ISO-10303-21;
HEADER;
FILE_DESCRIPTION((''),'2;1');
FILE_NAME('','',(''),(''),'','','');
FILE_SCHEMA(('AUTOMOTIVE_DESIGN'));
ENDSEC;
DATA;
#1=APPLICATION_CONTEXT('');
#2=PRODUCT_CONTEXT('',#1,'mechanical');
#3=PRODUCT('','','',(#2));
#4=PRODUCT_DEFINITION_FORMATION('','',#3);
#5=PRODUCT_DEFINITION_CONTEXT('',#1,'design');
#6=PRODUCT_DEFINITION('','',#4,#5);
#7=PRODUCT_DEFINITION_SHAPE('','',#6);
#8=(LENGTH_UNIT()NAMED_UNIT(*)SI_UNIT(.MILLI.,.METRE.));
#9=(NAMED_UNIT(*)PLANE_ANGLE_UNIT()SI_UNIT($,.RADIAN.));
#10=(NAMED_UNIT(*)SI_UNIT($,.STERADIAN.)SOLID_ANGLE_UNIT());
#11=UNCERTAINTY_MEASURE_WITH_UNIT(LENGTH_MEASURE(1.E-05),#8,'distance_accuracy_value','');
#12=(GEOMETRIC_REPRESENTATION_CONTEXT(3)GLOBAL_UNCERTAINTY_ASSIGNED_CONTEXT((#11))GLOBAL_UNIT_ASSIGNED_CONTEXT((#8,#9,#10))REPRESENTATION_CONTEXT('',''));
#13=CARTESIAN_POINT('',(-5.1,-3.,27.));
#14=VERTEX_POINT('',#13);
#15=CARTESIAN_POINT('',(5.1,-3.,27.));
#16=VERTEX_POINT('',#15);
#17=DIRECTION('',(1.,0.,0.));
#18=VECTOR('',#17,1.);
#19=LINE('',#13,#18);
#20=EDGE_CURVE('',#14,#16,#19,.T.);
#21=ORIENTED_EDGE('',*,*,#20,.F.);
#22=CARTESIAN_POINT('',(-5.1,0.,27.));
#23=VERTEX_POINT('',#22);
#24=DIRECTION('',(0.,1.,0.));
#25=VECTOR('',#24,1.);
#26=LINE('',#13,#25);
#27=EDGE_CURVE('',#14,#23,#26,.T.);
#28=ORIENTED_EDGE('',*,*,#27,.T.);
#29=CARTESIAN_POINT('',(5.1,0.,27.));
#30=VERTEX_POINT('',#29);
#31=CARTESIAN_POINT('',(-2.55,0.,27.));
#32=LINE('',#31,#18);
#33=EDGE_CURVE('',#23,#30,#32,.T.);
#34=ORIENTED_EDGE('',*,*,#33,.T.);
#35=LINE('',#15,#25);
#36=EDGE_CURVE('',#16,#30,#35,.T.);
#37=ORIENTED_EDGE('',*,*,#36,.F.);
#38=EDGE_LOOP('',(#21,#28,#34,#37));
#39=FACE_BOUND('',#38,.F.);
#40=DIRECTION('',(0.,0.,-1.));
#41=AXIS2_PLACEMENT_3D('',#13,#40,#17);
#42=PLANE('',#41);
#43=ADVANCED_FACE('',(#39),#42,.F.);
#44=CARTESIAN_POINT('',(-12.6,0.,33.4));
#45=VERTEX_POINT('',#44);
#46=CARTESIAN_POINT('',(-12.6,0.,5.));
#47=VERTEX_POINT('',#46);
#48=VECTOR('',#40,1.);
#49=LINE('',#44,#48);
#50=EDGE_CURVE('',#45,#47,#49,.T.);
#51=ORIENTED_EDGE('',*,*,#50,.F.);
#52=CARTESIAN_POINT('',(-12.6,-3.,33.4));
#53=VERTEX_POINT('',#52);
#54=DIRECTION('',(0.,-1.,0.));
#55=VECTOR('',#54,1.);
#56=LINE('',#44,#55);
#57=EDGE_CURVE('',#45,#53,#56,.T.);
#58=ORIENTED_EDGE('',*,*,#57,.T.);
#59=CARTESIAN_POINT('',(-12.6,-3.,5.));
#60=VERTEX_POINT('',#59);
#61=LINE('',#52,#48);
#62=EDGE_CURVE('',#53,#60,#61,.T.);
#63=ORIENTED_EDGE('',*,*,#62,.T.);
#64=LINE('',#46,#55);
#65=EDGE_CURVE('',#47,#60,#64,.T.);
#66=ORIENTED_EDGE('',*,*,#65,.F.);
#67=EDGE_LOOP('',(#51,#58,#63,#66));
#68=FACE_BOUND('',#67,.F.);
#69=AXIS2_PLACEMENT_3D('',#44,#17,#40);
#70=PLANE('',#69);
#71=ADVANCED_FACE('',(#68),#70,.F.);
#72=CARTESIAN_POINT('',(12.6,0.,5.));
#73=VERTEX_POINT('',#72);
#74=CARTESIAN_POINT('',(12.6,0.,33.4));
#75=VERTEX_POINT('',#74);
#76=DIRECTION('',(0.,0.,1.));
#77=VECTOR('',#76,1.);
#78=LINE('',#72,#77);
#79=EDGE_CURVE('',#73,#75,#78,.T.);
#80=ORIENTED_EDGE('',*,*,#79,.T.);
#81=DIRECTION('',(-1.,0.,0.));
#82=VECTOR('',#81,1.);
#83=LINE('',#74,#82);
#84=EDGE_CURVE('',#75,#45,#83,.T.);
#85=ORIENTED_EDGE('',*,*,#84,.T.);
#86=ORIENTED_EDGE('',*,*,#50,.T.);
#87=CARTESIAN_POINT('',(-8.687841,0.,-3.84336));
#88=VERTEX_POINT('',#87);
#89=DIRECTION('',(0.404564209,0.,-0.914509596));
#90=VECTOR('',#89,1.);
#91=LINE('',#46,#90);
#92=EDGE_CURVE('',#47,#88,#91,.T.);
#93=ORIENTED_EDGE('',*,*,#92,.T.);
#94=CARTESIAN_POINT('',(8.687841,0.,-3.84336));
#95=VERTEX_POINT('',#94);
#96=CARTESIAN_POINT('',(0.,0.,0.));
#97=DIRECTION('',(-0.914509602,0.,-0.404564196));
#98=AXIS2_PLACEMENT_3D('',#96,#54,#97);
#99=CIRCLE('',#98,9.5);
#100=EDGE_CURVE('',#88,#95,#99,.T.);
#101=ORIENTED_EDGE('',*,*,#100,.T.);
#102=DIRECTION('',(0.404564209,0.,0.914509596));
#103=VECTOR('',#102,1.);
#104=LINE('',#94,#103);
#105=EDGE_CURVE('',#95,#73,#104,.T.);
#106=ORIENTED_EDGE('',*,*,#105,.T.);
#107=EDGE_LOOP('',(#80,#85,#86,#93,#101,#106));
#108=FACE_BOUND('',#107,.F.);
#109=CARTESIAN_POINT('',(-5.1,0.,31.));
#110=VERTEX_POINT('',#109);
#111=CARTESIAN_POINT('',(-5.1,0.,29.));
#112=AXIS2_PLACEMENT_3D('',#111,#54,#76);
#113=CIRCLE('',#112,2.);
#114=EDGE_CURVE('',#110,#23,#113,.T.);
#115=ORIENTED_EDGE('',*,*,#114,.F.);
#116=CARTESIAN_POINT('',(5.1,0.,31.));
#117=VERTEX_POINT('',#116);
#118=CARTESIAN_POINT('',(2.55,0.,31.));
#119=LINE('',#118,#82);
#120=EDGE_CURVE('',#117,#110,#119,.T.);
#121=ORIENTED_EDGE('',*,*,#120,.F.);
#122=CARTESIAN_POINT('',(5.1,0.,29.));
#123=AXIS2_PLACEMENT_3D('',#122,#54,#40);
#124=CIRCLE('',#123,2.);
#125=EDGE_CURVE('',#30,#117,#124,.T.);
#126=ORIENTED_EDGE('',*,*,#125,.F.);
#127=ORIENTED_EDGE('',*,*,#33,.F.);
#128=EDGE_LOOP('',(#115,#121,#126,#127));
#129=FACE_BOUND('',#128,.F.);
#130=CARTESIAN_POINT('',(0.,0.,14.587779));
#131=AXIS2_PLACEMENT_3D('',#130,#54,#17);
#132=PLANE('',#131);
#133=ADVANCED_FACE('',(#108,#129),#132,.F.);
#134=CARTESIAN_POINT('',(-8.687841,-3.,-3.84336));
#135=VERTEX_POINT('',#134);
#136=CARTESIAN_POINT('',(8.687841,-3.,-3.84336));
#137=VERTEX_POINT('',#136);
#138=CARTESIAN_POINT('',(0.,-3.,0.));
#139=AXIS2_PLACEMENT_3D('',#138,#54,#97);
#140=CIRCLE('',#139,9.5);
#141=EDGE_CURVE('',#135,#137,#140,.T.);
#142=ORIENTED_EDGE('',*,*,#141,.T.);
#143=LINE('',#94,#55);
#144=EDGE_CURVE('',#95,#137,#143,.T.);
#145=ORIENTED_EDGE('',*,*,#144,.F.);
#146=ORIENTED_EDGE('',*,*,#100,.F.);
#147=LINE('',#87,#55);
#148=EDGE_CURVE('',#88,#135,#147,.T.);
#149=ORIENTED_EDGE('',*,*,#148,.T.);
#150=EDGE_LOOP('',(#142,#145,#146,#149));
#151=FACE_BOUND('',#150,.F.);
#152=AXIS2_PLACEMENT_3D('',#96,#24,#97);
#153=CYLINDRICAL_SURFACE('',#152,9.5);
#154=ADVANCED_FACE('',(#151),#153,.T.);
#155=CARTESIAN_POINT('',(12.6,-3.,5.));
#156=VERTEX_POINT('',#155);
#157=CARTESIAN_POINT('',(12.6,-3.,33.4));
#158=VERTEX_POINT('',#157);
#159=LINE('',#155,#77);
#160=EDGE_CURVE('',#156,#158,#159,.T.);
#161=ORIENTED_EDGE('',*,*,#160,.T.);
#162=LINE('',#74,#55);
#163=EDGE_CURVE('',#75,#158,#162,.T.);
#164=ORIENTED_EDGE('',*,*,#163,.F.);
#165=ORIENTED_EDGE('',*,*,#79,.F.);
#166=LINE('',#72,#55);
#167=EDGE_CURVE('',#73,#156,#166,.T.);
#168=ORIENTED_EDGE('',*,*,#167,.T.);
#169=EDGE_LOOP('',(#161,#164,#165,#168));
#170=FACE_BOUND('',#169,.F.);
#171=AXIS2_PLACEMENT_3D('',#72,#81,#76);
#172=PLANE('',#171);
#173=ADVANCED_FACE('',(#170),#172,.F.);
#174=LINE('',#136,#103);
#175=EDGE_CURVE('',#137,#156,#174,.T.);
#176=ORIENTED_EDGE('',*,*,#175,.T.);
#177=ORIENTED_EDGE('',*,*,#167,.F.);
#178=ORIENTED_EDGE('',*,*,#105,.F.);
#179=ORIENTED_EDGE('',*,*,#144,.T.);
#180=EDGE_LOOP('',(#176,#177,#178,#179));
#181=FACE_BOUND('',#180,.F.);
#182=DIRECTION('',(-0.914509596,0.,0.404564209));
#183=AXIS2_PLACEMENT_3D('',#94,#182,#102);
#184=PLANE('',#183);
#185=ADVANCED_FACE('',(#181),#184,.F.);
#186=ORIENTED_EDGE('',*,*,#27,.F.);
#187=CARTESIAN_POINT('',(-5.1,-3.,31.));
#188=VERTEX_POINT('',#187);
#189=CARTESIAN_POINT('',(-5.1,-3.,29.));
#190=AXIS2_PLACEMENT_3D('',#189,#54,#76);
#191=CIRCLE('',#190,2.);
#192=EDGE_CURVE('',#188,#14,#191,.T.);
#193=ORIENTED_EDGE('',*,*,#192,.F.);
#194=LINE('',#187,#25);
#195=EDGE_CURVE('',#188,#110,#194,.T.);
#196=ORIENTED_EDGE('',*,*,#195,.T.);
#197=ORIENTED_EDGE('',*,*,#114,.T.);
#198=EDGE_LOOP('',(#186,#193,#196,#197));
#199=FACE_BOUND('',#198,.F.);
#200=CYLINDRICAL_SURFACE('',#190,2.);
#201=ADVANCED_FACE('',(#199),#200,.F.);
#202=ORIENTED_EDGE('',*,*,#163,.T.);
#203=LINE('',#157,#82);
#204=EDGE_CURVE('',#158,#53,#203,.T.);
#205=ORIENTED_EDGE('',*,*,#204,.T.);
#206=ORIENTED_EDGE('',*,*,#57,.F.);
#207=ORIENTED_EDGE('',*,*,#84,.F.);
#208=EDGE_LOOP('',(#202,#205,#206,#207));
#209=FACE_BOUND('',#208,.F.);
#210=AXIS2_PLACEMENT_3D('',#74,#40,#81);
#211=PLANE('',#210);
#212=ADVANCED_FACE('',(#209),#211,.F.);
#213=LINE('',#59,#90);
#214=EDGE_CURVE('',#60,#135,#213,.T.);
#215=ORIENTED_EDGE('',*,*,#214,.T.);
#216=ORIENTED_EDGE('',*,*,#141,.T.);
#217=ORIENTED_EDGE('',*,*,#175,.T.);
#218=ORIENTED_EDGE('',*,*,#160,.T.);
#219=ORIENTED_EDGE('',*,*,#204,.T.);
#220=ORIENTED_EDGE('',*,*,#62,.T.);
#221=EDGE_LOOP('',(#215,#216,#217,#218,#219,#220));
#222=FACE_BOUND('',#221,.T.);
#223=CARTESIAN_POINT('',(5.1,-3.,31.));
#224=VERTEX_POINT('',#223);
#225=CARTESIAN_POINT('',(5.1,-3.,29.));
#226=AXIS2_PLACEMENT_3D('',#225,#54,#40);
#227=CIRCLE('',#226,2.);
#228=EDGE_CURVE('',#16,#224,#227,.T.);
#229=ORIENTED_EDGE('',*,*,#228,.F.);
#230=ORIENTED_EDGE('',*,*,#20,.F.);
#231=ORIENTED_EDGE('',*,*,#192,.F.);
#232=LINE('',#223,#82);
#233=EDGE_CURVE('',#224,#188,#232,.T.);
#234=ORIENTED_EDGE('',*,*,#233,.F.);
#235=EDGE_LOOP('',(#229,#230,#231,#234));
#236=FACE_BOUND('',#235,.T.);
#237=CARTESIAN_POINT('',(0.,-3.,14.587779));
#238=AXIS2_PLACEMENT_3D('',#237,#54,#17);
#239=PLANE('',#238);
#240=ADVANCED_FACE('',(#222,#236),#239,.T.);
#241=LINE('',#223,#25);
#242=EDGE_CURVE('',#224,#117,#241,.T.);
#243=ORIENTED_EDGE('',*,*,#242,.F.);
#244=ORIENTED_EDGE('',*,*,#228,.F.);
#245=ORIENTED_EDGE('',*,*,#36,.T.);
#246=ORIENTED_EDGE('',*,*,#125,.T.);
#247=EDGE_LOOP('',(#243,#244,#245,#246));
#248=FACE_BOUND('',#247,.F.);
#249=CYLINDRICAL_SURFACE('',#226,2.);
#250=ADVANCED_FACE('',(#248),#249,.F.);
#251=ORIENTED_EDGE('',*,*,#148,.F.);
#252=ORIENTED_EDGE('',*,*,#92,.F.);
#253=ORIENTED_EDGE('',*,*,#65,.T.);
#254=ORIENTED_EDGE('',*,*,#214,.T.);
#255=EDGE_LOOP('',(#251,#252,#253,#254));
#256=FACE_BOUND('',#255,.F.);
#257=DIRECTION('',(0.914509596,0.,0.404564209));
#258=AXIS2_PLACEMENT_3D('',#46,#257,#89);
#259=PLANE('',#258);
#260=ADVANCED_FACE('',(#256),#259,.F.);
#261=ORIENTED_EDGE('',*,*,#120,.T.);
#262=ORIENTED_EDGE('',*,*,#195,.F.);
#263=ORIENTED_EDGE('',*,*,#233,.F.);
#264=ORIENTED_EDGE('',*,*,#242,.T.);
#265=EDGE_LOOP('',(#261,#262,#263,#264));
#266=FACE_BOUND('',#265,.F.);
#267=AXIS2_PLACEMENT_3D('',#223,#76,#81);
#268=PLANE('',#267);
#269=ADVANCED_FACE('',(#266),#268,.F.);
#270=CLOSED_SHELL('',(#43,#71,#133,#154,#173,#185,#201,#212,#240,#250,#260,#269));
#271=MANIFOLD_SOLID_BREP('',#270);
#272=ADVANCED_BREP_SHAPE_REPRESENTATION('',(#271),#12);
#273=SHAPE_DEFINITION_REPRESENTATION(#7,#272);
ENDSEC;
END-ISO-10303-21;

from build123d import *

# Parameters (mm, degrees)
F1_DEPTH = 3
F3_DEPTH = 25


with BuildPart() as f1:
    # F0 (on Front) → F1 (new body)
    with BuildSketch(Plane.XZ):
        with BuildLine():
            Line((-12.6, 33.4), (-12.6, 5))
            Line((-12.6, 5), (-8.687841, -3.84336))
            ThreePointArc((-8.687841, -3.84336), (0, -9.5), (8.687841, -3.84336))
            Line((8.687841, -3.84336), (12.6, 5))
            Line((12.6, 5), (12.6, 33.4))
            Line((12.6, 33.4), (-12.6, 33.4))
        make_face()
    extrude(amount=F1_DEPTH)

    # F2 (on face) → F3 (cut)
    with BuildSketch(Plane.XZ.offset(3)):
        with BuildLine():
            Line((0, 31), (-5.1, 31))
            ThreePointArc((-5.1, 31), (-7.1, 29), (-5.1, 27))
            Line((-5.1, 27), (0, 27))
            Line((0, 27), (5.1, 27))
            ThreePointArc((5.1, 27), (7.1, 29), (5.1, 31))
            Line((5.1, 31), (0, 31))
        make_face()
    extrude(amount=-F3_DEPTH, mode=Mode.SUBTRACT)


solid = f1.part
